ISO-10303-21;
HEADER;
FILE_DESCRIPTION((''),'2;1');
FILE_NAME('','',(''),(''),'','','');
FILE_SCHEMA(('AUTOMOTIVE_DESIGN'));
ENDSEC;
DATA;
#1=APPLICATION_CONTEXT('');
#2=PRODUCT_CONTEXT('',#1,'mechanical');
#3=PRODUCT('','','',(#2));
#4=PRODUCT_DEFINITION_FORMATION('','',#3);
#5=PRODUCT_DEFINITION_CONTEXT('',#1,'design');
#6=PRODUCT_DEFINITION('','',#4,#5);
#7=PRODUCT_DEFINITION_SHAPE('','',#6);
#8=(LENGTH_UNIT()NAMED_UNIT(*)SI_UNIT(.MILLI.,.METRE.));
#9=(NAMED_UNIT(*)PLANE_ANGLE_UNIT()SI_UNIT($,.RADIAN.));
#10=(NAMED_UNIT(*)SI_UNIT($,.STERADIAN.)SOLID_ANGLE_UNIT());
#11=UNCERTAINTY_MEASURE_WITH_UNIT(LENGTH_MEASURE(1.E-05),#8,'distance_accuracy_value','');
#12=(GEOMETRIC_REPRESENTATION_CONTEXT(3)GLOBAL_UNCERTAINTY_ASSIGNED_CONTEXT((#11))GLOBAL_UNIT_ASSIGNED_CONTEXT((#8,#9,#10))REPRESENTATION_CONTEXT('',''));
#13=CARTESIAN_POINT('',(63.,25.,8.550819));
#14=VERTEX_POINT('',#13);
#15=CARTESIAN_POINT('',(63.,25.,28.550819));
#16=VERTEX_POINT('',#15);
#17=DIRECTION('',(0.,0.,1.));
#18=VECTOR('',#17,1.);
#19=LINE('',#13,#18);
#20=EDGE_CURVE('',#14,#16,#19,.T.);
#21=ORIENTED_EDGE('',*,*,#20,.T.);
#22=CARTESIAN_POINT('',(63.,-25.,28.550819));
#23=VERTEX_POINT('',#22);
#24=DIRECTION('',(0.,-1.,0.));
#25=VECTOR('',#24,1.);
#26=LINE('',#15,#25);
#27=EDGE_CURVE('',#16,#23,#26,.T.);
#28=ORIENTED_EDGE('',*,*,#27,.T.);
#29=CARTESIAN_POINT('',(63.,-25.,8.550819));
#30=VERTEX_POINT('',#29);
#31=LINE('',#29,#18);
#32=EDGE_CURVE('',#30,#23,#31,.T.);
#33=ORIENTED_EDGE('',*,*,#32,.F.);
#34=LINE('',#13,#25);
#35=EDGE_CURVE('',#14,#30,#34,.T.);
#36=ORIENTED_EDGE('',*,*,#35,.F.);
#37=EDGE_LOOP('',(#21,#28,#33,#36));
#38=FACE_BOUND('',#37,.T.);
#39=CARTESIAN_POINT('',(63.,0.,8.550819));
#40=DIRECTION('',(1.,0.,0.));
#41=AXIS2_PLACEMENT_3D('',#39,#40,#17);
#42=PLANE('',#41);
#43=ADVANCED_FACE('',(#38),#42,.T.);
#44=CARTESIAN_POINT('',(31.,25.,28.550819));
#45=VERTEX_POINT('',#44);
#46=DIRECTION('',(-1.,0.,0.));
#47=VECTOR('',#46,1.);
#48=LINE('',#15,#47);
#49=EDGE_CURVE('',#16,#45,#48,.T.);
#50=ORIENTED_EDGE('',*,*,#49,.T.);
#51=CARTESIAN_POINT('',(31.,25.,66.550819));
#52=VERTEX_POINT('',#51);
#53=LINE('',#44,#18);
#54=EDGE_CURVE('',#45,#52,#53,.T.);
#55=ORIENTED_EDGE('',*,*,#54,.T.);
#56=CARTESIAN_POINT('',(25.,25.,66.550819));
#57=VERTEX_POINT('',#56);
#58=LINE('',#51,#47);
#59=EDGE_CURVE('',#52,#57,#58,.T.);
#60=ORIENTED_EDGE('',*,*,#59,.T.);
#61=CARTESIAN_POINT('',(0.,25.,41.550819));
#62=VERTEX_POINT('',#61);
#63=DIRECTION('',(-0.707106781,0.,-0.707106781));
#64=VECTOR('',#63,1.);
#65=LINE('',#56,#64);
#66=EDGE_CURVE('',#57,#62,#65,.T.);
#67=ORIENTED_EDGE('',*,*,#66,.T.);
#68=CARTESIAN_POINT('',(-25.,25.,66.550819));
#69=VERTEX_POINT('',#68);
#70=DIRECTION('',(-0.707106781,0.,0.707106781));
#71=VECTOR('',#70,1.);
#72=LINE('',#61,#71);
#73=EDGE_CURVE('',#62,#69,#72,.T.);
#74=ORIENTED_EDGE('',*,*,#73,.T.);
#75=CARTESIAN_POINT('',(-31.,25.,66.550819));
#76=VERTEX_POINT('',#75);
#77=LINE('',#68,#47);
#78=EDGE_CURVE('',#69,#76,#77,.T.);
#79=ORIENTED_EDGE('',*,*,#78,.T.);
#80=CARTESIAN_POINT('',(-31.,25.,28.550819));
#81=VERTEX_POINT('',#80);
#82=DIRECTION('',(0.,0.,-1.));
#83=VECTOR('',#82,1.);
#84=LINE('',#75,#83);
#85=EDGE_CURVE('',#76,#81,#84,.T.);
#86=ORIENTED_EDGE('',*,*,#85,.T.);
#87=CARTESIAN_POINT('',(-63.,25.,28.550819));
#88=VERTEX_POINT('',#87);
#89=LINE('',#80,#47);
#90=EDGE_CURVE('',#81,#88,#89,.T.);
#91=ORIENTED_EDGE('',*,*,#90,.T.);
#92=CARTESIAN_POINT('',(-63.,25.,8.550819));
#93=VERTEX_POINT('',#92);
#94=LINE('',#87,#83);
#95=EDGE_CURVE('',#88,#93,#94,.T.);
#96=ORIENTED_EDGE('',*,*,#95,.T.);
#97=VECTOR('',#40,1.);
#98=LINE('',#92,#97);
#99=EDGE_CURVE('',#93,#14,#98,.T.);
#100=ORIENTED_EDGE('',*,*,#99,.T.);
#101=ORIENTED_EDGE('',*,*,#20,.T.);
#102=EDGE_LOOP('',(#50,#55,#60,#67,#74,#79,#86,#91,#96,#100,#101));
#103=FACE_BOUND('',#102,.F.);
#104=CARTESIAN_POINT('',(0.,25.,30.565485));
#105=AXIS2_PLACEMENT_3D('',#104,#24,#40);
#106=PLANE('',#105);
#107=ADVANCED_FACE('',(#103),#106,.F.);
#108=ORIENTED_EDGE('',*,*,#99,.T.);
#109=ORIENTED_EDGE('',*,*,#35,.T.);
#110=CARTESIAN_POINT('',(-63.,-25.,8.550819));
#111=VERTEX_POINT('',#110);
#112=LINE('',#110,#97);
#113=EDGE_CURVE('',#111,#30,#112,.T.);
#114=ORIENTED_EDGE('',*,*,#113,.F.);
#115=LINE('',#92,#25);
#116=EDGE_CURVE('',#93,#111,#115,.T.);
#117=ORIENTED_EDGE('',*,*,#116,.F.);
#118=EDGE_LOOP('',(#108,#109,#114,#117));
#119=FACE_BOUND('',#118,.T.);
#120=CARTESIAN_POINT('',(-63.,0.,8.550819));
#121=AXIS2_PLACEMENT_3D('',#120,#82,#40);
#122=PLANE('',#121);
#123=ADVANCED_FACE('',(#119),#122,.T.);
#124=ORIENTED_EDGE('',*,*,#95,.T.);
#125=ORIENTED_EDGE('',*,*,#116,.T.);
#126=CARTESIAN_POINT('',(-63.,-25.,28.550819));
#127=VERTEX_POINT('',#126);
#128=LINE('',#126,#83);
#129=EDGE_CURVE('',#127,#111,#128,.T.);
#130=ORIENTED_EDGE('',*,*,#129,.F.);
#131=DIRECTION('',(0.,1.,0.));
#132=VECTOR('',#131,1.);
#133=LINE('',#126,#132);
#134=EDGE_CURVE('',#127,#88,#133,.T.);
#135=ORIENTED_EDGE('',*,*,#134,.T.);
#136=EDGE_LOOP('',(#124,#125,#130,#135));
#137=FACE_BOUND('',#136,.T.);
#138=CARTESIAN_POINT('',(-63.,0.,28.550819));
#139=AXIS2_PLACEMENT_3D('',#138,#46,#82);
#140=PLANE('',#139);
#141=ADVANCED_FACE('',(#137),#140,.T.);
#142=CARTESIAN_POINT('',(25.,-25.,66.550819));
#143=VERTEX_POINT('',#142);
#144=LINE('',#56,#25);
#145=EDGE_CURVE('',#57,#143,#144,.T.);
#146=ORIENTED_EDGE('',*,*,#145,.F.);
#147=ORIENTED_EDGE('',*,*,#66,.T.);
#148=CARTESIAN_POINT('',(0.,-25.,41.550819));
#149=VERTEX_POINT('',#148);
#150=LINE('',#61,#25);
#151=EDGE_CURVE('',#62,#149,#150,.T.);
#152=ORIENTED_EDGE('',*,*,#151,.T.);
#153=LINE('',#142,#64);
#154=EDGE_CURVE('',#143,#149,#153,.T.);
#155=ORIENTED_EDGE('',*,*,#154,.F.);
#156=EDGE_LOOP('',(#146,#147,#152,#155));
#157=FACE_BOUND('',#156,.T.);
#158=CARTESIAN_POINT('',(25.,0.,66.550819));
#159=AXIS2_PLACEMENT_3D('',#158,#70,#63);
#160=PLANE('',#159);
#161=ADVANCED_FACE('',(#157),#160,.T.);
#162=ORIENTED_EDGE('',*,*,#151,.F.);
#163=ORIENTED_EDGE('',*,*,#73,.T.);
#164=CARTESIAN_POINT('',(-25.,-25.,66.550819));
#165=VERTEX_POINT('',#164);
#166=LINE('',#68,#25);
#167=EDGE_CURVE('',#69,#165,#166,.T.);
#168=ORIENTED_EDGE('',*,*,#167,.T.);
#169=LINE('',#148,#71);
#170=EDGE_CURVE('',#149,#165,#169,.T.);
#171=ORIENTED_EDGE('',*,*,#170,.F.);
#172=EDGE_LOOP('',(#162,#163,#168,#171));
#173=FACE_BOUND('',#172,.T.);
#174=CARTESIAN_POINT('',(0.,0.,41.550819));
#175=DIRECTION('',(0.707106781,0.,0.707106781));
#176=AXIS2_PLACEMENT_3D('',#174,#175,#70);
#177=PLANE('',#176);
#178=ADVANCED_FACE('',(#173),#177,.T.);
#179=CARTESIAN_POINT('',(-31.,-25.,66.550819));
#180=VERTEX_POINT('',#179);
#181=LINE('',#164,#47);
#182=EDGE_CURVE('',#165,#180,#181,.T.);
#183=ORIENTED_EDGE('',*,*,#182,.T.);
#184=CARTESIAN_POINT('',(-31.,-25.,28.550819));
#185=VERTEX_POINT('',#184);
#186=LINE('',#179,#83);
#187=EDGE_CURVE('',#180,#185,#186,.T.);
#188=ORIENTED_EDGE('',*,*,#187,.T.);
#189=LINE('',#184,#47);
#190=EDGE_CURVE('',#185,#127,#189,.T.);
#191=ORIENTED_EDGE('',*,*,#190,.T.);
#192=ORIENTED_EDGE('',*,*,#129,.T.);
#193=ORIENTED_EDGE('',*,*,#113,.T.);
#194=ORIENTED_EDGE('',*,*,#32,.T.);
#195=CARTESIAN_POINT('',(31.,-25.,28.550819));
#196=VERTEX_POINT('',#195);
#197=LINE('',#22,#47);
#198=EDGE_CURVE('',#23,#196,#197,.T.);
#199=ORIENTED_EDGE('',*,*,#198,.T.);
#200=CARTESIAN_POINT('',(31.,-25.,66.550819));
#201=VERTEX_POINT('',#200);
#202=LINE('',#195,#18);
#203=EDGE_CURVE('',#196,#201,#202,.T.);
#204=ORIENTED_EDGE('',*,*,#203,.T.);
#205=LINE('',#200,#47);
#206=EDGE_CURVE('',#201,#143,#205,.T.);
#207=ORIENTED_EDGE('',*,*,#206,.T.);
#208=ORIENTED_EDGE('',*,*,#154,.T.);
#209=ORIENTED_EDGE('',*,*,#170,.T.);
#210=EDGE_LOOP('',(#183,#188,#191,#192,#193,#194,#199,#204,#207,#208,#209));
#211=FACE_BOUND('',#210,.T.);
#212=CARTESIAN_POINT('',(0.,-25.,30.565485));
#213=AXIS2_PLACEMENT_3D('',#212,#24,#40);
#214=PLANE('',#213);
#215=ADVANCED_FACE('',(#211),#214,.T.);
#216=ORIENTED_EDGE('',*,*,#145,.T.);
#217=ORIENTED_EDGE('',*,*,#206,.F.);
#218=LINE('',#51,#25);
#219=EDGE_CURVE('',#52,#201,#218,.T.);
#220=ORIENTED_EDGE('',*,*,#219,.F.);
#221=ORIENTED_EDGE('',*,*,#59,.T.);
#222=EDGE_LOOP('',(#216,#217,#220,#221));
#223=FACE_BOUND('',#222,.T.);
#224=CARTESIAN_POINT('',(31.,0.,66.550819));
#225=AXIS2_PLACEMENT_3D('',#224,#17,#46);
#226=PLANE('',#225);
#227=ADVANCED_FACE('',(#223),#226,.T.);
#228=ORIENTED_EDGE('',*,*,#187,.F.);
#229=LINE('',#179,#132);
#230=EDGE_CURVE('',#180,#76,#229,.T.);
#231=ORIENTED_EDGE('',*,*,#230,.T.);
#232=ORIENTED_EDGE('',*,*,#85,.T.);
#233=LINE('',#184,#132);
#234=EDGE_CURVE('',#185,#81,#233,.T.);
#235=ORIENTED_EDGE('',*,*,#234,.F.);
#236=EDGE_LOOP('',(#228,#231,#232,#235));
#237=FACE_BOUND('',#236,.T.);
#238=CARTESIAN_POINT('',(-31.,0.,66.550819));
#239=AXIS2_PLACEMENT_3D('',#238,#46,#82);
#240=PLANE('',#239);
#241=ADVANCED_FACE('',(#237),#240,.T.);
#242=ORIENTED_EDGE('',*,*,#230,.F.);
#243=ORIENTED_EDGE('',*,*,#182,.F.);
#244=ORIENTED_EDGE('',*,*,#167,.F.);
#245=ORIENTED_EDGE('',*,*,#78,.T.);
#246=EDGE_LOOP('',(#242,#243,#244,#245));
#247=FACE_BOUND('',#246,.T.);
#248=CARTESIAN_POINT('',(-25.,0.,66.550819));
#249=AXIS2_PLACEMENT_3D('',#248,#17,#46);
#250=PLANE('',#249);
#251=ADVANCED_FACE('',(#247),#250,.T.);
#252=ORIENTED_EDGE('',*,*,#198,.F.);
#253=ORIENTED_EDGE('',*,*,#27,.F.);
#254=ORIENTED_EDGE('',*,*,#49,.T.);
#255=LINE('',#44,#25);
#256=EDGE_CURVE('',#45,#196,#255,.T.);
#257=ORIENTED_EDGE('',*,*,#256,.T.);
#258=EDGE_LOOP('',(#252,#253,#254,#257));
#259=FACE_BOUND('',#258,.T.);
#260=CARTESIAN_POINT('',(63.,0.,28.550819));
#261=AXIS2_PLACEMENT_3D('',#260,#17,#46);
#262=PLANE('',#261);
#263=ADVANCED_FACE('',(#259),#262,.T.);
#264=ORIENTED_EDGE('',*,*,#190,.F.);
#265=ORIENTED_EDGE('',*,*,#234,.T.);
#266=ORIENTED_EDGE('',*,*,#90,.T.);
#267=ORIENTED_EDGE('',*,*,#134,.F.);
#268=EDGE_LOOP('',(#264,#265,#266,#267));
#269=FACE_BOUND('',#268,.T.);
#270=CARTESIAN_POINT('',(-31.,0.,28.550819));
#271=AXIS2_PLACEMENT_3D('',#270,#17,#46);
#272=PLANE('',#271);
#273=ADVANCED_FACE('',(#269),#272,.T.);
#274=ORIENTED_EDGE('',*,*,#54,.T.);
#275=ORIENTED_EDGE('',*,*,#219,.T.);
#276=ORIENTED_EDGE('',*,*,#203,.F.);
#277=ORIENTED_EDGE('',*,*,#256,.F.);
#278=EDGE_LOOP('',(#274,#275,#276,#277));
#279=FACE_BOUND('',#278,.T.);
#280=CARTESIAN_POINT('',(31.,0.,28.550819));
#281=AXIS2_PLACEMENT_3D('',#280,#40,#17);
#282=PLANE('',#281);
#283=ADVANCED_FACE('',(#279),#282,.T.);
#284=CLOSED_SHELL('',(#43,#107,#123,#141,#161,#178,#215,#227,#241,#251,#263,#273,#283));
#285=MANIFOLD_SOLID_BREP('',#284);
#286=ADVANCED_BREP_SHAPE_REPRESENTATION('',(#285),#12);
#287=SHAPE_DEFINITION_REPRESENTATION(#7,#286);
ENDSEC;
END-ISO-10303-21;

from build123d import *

# Parameters (mm, degrees)
F1_DEPTH = 25


with BuildPart() as f1:
    # F0 (on Front) → F1 (new body, symmetric)
    with BuildSketch(Plane.XZ):
        Polygon((-63, 28.550819), (-63, 8.550819), (63, 8.550819), (63, 28.550819), (31, 28.550819), (31, 66.550819), (25, 66.550819), (0, 41.550819), (-25, 66.550819), (-31, 66.550819), (-31, 28.550819), align=None)
    extrude(amount=F1_DEPTH, both=True)


solid = f1.part
